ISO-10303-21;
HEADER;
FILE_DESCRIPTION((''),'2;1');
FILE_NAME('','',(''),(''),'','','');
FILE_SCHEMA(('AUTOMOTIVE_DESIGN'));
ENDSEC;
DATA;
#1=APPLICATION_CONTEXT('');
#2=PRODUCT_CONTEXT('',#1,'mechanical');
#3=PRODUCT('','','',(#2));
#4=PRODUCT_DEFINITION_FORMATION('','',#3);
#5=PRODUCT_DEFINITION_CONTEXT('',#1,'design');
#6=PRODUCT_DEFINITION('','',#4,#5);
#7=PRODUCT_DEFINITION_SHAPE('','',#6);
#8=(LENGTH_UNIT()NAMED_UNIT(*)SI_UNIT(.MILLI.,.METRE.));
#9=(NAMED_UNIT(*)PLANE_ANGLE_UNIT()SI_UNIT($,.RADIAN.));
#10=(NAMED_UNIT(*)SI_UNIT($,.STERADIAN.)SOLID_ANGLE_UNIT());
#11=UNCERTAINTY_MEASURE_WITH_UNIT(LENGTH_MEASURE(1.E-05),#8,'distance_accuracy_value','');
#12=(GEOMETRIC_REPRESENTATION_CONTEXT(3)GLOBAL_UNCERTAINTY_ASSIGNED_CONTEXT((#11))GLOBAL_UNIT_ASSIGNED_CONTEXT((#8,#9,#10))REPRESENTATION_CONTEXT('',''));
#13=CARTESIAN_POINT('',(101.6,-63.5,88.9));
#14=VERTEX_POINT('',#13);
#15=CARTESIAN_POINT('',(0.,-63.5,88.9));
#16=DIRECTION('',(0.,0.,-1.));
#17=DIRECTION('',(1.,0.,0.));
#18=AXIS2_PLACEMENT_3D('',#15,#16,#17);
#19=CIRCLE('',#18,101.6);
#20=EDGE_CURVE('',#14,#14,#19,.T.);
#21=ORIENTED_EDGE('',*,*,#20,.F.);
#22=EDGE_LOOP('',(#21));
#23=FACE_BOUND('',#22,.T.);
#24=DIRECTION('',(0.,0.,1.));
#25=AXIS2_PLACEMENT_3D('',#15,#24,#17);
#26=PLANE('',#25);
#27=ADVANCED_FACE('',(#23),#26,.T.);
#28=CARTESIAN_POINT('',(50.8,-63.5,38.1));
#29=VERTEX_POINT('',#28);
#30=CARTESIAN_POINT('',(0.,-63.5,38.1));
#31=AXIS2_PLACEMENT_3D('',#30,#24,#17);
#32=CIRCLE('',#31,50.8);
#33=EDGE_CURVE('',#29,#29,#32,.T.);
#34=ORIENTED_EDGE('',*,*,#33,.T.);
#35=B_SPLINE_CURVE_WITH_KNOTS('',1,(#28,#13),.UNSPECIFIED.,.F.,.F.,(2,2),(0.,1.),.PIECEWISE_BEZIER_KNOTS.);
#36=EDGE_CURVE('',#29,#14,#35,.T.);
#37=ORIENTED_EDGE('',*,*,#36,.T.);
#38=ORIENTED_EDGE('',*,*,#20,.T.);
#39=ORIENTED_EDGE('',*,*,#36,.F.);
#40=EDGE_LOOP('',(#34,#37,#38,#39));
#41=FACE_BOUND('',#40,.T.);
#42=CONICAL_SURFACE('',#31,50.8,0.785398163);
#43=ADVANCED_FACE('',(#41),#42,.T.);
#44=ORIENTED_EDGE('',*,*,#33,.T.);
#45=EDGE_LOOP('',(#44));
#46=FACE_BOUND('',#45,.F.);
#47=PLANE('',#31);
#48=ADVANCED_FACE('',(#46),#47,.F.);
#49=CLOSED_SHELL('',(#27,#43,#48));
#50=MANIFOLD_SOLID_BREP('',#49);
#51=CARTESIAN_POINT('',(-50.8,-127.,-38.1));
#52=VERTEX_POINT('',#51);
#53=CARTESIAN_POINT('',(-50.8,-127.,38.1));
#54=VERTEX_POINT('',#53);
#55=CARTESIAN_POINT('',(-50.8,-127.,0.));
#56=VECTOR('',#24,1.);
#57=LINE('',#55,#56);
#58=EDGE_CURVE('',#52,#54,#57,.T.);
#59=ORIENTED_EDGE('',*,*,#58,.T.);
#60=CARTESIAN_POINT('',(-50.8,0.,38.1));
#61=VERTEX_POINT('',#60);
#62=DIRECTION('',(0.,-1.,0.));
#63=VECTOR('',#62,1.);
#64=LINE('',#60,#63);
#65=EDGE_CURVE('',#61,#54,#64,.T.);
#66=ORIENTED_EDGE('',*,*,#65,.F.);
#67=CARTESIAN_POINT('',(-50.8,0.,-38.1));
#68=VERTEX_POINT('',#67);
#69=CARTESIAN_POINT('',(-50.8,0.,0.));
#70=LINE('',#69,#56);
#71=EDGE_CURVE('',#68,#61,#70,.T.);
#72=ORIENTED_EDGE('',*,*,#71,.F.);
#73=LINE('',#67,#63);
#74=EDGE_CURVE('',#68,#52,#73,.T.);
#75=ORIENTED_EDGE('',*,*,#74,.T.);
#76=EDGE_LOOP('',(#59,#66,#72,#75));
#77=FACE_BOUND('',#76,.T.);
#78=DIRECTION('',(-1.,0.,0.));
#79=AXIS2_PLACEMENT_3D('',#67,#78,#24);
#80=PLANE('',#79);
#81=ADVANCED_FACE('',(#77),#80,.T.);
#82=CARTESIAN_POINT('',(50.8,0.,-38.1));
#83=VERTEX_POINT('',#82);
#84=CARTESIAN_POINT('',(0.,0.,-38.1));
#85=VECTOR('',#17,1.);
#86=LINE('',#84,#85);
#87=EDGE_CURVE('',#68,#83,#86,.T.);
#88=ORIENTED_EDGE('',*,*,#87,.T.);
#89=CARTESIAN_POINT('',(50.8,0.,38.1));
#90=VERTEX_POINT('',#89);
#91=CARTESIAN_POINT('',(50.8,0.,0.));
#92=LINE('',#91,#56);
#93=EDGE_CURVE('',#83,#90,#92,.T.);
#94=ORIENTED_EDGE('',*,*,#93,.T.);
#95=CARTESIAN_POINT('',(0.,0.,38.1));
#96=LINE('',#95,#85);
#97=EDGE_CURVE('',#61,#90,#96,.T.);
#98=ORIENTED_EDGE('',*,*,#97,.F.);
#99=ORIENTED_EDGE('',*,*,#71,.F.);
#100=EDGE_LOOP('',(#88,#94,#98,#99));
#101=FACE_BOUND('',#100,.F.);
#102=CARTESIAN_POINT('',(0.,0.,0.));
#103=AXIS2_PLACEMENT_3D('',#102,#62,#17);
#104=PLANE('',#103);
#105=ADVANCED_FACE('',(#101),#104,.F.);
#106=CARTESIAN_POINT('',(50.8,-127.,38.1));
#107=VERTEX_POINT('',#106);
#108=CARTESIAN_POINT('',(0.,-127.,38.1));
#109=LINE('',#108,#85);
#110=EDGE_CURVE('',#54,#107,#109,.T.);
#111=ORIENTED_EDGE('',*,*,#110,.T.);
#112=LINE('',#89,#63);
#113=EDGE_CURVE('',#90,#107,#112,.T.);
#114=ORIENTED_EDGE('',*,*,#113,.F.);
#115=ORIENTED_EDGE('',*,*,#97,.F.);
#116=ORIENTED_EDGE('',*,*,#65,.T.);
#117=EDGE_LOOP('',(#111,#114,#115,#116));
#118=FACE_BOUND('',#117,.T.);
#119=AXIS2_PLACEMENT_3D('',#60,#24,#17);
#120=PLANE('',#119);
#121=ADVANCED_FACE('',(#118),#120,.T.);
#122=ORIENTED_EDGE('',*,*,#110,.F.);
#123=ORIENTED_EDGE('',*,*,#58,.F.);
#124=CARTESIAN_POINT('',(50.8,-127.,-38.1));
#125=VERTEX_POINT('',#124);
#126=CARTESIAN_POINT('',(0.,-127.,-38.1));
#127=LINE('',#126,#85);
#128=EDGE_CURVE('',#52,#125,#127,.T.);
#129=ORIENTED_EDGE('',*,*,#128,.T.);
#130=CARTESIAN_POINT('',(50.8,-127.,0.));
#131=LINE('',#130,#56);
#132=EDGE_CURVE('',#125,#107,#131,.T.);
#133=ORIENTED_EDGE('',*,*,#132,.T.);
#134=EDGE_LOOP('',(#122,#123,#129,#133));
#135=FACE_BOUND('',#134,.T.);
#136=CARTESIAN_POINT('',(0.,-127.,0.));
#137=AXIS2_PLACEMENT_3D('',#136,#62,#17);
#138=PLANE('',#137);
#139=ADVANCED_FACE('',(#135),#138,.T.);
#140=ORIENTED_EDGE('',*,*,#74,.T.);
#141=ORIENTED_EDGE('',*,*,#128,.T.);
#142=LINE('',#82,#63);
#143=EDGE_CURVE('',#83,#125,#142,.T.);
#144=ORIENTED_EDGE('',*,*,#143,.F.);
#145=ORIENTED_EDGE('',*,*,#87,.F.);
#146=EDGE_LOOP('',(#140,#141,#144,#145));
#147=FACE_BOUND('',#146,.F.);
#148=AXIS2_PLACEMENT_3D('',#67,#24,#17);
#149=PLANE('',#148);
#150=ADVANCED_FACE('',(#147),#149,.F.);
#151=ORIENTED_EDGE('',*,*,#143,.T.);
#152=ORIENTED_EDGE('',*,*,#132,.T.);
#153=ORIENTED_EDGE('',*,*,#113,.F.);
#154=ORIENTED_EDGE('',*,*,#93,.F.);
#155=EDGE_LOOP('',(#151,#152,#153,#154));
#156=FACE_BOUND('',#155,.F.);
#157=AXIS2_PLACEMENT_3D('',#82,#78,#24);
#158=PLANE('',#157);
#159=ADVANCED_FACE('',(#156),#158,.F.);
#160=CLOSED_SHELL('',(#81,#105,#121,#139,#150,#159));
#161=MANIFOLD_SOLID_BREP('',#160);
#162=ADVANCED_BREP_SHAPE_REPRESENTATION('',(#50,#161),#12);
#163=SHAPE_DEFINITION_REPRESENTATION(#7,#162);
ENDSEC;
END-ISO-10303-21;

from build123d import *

# Parameters (mm, degrees)
F0_W     = 101.6
F0_H     = 76.2
F1_DEPTH = 127
F3_DEPTH = 50.8
F3_TAPER = -45


with BuildPart() as f1:
    # F0 (on Front) → F1 (new body)
    with BuildSketch(Plane.XZ):
        Rectangle(F0_W, F0_H)
    extrude(amount=F1_DEPTH)


with BuildPart() as f3:
    # F2 (on face) → F3 (new body)
    with BuildSketch(Plane.XY.offset(38.1)):
        with BuildLine():
            ThreePointArc((-50.8, -63.5), (0, -114.3), (50.8, -63.5))
            ThreePointArc((50.8, -63.5), (0, -12.7), (-50.8, -63.5))
        make_face()
    extrude(amount=F3_DEPTH, taper=F3_TAPER)


solid = Compound([f1.part, f3.part])
